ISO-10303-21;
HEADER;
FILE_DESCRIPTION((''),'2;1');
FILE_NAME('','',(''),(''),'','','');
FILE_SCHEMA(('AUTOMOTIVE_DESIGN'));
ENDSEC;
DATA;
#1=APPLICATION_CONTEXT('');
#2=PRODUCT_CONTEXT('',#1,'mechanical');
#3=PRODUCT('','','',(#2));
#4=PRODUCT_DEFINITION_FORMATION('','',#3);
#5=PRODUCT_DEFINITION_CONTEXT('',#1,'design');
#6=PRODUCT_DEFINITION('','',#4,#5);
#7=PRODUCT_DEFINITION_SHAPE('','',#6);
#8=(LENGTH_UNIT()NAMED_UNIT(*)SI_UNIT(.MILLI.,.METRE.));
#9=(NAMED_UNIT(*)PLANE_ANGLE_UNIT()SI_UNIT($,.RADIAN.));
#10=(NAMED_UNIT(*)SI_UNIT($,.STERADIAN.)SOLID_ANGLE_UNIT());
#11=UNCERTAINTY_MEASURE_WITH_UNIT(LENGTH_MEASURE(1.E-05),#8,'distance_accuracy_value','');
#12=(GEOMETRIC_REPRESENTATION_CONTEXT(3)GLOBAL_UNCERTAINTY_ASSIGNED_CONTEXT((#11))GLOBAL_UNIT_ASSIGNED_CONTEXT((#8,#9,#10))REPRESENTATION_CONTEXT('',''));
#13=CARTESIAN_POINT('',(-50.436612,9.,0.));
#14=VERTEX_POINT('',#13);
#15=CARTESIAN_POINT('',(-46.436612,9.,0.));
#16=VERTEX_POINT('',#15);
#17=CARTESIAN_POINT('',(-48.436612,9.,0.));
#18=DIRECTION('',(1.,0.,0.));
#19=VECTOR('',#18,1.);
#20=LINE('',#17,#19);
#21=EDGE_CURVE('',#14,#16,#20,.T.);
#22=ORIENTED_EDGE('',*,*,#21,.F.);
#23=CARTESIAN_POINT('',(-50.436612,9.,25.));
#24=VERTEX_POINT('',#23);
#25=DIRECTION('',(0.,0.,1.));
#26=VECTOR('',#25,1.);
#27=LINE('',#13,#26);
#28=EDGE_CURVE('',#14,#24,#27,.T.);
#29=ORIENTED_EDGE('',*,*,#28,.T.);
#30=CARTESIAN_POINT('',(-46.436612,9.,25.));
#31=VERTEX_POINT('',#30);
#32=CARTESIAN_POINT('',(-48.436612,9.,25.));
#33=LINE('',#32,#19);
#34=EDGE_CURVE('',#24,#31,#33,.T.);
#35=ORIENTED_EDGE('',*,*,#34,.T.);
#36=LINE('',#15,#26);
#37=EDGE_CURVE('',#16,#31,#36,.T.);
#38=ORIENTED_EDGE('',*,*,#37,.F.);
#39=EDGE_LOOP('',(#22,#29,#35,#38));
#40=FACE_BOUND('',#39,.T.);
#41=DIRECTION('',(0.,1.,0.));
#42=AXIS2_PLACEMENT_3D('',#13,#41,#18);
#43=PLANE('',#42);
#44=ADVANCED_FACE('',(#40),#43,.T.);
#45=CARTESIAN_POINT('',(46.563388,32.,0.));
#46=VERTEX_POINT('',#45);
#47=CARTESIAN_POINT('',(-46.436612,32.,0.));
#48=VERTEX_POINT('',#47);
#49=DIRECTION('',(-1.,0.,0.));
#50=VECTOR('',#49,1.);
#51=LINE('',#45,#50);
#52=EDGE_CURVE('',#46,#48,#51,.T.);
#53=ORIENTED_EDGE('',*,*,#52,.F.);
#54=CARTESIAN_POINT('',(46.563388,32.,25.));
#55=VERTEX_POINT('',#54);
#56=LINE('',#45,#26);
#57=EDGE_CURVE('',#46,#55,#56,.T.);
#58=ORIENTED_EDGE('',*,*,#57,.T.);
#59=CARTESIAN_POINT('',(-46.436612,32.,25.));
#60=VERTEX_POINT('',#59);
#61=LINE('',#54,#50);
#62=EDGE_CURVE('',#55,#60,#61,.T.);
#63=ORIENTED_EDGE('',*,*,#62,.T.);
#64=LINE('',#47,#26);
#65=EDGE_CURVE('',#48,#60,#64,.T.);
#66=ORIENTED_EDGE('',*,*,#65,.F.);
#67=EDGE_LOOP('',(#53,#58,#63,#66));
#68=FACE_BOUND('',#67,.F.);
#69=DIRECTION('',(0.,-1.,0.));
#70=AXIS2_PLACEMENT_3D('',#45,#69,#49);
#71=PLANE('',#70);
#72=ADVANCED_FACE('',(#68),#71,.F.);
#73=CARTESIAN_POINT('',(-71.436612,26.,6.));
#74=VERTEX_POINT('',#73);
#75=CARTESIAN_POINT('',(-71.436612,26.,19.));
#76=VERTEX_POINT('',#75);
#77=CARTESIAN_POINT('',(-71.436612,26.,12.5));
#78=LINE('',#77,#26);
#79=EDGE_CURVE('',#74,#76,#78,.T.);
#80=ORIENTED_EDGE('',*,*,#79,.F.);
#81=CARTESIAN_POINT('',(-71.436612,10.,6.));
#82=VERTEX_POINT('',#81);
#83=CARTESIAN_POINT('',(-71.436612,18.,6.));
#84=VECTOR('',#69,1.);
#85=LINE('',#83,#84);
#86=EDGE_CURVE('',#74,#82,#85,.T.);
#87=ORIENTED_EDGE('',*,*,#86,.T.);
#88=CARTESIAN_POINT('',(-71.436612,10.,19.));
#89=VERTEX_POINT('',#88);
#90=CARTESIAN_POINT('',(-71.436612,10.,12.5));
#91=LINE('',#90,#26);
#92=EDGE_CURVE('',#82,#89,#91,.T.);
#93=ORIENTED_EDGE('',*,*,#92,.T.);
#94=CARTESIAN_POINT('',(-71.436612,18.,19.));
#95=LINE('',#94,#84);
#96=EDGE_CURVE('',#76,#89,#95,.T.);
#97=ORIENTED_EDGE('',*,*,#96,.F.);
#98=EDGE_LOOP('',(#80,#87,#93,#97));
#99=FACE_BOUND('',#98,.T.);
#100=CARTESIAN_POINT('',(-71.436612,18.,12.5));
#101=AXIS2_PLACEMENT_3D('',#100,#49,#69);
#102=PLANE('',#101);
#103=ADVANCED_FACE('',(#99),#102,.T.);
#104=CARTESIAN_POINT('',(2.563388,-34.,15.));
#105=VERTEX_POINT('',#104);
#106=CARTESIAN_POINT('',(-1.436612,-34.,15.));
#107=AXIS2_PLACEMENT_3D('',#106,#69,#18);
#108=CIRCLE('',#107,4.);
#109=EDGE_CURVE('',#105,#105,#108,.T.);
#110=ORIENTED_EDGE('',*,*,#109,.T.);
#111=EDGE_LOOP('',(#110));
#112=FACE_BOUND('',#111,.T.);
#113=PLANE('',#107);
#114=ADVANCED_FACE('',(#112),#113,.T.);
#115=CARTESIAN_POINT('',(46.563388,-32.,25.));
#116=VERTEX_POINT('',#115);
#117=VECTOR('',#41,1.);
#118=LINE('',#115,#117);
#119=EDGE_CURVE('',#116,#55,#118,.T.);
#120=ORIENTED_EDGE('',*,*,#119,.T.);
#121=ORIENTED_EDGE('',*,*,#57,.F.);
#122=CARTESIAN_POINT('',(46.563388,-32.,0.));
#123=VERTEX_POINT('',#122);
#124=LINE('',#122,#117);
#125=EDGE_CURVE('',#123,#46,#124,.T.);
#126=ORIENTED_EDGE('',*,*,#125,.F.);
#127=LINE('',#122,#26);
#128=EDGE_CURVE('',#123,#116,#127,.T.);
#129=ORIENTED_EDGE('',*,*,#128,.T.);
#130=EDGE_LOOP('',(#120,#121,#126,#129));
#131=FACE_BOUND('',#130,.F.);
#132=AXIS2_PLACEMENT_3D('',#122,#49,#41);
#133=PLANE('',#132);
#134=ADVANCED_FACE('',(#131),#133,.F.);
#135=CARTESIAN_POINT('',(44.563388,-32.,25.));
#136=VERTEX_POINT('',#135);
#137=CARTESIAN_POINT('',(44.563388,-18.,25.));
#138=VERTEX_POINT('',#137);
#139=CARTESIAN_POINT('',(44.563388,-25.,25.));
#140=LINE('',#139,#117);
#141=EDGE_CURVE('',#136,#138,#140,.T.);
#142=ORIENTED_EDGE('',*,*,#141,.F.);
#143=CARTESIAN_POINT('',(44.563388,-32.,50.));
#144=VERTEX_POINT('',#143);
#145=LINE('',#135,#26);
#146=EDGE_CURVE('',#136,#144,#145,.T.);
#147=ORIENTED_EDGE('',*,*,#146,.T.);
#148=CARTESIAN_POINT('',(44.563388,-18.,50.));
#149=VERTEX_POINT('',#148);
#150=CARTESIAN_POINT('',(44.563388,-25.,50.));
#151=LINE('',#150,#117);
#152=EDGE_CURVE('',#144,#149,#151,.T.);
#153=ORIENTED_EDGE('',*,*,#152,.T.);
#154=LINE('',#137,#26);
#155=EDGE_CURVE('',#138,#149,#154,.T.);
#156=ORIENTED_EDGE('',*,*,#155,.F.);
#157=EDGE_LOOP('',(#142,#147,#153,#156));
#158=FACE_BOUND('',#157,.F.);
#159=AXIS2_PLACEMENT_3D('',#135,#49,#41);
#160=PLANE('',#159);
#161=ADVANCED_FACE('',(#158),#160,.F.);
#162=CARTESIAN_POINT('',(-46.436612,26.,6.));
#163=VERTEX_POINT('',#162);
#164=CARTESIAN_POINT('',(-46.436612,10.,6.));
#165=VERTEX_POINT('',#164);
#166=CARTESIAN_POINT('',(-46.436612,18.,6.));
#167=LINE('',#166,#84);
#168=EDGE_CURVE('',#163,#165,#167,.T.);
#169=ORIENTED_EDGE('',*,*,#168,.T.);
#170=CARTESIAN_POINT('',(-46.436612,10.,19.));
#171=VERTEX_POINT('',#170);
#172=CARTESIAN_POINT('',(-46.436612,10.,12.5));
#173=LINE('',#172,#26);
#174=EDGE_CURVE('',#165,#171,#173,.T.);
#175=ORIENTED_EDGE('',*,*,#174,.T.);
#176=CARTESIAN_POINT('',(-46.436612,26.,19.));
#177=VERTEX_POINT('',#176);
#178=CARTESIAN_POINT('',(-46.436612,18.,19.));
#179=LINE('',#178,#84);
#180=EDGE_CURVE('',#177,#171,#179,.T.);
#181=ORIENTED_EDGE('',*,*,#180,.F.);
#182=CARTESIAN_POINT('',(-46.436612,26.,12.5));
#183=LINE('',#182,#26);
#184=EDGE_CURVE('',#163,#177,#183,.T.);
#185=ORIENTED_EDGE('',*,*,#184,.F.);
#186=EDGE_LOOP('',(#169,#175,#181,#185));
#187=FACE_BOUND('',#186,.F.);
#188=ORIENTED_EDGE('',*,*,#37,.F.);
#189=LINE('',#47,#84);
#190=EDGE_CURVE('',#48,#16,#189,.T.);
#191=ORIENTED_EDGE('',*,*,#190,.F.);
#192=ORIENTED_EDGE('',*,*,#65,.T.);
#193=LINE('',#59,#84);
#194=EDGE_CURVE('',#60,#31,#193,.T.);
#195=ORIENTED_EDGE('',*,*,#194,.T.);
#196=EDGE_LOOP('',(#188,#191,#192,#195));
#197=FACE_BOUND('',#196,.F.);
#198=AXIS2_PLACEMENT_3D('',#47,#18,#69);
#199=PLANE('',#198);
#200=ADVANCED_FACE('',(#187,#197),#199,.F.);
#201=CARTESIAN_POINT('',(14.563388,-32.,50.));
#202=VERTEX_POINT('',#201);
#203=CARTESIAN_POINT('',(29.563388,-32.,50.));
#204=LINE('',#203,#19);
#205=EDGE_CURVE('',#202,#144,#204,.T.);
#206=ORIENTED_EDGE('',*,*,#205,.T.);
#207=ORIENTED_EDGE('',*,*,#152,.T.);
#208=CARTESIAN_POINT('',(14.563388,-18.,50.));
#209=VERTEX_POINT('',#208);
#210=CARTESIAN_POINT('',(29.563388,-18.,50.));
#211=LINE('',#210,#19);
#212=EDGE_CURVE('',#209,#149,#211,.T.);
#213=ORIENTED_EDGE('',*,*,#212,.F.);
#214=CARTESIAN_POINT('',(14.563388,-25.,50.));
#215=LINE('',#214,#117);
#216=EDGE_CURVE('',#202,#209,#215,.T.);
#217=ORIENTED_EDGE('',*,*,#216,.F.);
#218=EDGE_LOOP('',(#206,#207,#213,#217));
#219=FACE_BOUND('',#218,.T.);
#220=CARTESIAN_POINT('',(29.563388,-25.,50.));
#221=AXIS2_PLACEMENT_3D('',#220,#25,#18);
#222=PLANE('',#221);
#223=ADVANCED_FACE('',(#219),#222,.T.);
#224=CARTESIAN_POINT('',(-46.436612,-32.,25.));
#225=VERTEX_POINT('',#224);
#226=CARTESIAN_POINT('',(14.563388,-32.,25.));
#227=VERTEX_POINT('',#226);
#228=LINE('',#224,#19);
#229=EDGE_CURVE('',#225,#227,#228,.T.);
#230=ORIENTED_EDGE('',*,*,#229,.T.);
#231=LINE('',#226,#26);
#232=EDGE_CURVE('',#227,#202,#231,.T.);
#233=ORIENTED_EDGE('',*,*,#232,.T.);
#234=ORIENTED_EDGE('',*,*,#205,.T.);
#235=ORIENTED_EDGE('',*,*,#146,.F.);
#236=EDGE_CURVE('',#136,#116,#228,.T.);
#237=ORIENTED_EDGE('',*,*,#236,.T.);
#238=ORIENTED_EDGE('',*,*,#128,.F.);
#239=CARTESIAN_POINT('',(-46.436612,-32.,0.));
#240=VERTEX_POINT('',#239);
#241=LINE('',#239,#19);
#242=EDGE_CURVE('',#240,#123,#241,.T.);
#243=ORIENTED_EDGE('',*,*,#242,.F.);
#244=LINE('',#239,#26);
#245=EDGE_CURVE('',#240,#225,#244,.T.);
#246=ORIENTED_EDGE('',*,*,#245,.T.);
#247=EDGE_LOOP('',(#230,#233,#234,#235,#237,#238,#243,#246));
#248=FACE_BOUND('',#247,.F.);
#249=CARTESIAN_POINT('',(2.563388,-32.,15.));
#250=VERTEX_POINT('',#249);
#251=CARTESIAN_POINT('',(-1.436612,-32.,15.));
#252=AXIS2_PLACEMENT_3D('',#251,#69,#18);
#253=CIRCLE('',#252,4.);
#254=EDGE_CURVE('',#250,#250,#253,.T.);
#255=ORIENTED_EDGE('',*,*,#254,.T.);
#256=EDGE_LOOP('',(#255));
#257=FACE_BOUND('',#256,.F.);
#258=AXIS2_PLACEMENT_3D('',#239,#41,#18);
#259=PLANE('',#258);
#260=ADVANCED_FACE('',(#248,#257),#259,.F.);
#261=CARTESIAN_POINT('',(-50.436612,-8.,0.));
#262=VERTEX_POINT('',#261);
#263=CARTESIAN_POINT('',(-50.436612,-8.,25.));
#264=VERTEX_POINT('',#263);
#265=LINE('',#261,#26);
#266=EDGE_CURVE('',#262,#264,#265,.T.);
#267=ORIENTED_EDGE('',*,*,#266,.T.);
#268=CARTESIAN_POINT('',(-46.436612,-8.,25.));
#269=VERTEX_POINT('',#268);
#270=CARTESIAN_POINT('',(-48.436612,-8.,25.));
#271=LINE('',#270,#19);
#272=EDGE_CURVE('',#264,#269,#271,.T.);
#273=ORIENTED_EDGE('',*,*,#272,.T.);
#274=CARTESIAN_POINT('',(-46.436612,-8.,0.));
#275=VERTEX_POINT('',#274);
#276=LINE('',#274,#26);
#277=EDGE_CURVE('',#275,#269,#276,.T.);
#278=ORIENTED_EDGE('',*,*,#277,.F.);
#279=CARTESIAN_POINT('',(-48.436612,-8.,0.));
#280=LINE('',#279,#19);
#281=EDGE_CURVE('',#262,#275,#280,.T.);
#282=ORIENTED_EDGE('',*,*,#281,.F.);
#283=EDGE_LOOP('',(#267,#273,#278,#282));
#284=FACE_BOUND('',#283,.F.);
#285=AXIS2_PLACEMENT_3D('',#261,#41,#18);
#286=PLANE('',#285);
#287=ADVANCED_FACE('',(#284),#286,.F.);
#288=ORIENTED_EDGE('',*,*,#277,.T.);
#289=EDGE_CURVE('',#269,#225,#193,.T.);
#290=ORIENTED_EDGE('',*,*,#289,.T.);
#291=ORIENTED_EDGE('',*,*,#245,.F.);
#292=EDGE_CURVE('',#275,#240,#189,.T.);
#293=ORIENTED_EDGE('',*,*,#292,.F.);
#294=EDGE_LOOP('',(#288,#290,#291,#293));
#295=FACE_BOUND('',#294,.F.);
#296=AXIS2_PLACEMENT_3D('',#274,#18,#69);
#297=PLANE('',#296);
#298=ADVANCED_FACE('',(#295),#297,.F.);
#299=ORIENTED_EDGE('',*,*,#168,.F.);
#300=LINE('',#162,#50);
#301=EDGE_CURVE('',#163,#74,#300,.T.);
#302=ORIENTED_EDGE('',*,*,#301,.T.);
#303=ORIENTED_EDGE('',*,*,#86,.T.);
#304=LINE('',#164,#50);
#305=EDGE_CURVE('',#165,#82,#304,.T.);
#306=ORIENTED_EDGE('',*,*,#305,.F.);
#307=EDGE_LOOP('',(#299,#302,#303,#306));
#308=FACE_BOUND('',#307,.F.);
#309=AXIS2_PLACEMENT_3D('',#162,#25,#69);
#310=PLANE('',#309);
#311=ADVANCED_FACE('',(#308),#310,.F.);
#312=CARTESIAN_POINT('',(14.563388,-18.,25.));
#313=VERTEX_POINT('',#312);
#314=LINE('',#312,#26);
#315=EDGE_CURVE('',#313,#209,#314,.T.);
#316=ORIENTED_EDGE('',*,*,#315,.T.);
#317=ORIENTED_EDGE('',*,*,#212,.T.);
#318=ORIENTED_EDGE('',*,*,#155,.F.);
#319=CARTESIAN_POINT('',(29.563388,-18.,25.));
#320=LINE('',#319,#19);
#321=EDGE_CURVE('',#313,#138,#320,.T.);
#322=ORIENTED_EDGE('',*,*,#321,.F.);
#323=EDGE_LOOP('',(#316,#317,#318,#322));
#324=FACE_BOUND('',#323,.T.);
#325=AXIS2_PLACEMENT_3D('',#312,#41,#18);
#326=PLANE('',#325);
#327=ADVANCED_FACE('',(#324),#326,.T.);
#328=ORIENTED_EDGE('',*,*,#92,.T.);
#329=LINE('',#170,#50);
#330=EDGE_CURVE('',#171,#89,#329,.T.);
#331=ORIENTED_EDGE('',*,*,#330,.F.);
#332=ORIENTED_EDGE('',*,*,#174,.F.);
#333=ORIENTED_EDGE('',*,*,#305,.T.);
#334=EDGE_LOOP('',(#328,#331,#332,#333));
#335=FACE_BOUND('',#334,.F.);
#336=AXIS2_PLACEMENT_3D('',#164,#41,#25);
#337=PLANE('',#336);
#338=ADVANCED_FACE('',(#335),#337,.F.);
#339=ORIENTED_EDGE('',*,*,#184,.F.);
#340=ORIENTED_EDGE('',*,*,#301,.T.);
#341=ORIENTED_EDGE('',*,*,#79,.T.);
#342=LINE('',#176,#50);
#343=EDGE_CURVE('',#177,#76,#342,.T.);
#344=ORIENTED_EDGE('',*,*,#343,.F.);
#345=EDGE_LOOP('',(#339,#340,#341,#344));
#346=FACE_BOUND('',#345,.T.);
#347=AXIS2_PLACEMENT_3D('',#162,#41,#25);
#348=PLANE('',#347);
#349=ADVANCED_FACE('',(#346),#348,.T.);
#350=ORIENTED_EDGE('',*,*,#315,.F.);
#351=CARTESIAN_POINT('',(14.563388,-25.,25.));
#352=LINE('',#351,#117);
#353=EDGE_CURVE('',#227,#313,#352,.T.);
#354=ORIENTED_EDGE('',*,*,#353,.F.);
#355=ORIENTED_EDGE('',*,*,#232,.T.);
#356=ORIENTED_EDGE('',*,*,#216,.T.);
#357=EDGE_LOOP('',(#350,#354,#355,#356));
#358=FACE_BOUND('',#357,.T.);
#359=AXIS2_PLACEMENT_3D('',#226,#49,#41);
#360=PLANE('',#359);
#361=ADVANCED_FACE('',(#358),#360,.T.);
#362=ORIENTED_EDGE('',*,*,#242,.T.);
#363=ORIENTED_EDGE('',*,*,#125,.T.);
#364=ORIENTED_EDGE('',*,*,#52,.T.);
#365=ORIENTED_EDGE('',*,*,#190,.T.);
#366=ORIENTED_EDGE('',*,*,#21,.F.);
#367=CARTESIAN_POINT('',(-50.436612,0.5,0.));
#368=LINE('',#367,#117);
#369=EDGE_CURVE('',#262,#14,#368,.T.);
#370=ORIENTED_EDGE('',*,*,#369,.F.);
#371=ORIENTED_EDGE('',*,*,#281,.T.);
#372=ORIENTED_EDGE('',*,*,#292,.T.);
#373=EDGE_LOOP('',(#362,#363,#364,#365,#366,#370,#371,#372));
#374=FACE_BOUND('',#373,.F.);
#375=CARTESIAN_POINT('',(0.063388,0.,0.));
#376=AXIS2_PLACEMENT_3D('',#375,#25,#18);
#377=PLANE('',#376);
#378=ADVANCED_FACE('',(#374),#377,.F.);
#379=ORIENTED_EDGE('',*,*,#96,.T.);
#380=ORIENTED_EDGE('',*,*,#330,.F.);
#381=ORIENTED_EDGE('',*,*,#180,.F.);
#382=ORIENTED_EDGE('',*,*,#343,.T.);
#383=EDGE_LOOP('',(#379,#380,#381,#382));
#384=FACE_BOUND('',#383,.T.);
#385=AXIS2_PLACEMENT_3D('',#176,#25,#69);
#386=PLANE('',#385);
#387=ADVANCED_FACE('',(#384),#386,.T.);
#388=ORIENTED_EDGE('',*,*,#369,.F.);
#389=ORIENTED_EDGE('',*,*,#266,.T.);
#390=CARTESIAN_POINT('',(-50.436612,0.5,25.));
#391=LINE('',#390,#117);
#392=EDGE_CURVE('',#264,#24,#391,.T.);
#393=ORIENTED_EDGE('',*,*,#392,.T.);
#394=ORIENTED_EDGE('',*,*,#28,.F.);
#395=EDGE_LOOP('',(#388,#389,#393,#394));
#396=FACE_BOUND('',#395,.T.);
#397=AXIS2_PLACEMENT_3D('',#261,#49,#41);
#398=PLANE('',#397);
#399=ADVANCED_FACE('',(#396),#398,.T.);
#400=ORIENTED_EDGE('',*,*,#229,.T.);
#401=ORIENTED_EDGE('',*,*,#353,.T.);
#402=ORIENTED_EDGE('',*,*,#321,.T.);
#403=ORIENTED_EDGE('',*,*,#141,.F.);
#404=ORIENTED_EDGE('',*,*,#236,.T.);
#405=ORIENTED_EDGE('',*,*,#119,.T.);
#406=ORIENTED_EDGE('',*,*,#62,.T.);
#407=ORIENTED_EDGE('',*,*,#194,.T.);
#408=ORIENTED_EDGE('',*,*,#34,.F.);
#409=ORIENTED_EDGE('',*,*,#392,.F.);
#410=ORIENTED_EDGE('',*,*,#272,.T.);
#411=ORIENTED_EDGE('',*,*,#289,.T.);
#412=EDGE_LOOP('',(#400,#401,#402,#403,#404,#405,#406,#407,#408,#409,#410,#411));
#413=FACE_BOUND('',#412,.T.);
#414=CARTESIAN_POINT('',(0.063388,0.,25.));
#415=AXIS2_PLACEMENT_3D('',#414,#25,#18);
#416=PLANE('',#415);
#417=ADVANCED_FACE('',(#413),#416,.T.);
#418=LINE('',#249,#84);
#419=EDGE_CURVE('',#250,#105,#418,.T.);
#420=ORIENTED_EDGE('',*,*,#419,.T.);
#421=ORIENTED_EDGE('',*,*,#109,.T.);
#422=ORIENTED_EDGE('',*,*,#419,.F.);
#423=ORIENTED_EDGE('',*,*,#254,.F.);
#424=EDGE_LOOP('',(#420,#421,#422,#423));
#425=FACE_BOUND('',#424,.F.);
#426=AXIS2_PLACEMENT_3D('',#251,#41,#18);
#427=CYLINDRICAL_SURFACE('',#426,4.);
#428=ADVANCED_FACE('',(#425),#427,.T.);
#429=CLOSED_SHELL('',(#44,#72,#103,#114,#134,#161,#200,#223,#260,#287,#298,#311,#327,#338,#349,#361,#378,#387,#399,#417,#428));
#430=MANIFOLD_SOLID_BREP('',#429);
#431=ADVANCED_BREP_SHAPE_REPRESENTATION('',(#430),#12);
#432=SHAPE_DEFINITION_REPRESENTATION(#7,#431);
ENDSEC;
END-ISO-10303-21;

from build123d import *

# Parameters (mm, degrees)
F0_W     = 4
F0_H     = 17
F1_DEPTH = 25
F2_R     = 4
F3_DEPTH = 2
F4_W     = 30
F4_H     = 14
F5_DEPTH = 25
F6_W     = 16
F6_H     = 13
F7_DEPTH = 25


with BuildPart() as f1:
    # F0 (on Top) → F1 (new body)
    with BuildSketch(Plane.XY):
        Polygon((-46.436612, -32), (46.563388, -32), (46.563388, 32), (-46.436612, 32), (-46.436612, 9), (-46.436612, -8), align=None)
        with Locations((-48.436612, 0.5)):
            Rectangle(F0_W, F0_H)
    extrude(amount=F1_DEPTH)

    # F2 (on face) → F3 (join)
    with BuildSketch(Plane.XZ.offset(32)):
        with Locations((-1.436612, 15)):
            Circle(F2_R)
    extrude(amount=F3_DEPTH)

    # F4 (on face) → F5 (join)
    with BuildSketch(Plane.XY.offset(25)):
        with Locations((29.563388, -25)):
            Rectangle(F4_W, F4_H)
    extrude(amount=F5_DEPTH)

    # F6 (on face) → F7 (join)
    with BuildSketch(Plane(origin=(-46.436612, 0, 0), x_dir=(0, -1, 0), z_dir=(-1, 0, 0))):
        with Locations((-18, 12.5)):
            Rectangle(F6_W, F6_H)
    extrude(amount=F7_DEPTH)


solid = f1.part
